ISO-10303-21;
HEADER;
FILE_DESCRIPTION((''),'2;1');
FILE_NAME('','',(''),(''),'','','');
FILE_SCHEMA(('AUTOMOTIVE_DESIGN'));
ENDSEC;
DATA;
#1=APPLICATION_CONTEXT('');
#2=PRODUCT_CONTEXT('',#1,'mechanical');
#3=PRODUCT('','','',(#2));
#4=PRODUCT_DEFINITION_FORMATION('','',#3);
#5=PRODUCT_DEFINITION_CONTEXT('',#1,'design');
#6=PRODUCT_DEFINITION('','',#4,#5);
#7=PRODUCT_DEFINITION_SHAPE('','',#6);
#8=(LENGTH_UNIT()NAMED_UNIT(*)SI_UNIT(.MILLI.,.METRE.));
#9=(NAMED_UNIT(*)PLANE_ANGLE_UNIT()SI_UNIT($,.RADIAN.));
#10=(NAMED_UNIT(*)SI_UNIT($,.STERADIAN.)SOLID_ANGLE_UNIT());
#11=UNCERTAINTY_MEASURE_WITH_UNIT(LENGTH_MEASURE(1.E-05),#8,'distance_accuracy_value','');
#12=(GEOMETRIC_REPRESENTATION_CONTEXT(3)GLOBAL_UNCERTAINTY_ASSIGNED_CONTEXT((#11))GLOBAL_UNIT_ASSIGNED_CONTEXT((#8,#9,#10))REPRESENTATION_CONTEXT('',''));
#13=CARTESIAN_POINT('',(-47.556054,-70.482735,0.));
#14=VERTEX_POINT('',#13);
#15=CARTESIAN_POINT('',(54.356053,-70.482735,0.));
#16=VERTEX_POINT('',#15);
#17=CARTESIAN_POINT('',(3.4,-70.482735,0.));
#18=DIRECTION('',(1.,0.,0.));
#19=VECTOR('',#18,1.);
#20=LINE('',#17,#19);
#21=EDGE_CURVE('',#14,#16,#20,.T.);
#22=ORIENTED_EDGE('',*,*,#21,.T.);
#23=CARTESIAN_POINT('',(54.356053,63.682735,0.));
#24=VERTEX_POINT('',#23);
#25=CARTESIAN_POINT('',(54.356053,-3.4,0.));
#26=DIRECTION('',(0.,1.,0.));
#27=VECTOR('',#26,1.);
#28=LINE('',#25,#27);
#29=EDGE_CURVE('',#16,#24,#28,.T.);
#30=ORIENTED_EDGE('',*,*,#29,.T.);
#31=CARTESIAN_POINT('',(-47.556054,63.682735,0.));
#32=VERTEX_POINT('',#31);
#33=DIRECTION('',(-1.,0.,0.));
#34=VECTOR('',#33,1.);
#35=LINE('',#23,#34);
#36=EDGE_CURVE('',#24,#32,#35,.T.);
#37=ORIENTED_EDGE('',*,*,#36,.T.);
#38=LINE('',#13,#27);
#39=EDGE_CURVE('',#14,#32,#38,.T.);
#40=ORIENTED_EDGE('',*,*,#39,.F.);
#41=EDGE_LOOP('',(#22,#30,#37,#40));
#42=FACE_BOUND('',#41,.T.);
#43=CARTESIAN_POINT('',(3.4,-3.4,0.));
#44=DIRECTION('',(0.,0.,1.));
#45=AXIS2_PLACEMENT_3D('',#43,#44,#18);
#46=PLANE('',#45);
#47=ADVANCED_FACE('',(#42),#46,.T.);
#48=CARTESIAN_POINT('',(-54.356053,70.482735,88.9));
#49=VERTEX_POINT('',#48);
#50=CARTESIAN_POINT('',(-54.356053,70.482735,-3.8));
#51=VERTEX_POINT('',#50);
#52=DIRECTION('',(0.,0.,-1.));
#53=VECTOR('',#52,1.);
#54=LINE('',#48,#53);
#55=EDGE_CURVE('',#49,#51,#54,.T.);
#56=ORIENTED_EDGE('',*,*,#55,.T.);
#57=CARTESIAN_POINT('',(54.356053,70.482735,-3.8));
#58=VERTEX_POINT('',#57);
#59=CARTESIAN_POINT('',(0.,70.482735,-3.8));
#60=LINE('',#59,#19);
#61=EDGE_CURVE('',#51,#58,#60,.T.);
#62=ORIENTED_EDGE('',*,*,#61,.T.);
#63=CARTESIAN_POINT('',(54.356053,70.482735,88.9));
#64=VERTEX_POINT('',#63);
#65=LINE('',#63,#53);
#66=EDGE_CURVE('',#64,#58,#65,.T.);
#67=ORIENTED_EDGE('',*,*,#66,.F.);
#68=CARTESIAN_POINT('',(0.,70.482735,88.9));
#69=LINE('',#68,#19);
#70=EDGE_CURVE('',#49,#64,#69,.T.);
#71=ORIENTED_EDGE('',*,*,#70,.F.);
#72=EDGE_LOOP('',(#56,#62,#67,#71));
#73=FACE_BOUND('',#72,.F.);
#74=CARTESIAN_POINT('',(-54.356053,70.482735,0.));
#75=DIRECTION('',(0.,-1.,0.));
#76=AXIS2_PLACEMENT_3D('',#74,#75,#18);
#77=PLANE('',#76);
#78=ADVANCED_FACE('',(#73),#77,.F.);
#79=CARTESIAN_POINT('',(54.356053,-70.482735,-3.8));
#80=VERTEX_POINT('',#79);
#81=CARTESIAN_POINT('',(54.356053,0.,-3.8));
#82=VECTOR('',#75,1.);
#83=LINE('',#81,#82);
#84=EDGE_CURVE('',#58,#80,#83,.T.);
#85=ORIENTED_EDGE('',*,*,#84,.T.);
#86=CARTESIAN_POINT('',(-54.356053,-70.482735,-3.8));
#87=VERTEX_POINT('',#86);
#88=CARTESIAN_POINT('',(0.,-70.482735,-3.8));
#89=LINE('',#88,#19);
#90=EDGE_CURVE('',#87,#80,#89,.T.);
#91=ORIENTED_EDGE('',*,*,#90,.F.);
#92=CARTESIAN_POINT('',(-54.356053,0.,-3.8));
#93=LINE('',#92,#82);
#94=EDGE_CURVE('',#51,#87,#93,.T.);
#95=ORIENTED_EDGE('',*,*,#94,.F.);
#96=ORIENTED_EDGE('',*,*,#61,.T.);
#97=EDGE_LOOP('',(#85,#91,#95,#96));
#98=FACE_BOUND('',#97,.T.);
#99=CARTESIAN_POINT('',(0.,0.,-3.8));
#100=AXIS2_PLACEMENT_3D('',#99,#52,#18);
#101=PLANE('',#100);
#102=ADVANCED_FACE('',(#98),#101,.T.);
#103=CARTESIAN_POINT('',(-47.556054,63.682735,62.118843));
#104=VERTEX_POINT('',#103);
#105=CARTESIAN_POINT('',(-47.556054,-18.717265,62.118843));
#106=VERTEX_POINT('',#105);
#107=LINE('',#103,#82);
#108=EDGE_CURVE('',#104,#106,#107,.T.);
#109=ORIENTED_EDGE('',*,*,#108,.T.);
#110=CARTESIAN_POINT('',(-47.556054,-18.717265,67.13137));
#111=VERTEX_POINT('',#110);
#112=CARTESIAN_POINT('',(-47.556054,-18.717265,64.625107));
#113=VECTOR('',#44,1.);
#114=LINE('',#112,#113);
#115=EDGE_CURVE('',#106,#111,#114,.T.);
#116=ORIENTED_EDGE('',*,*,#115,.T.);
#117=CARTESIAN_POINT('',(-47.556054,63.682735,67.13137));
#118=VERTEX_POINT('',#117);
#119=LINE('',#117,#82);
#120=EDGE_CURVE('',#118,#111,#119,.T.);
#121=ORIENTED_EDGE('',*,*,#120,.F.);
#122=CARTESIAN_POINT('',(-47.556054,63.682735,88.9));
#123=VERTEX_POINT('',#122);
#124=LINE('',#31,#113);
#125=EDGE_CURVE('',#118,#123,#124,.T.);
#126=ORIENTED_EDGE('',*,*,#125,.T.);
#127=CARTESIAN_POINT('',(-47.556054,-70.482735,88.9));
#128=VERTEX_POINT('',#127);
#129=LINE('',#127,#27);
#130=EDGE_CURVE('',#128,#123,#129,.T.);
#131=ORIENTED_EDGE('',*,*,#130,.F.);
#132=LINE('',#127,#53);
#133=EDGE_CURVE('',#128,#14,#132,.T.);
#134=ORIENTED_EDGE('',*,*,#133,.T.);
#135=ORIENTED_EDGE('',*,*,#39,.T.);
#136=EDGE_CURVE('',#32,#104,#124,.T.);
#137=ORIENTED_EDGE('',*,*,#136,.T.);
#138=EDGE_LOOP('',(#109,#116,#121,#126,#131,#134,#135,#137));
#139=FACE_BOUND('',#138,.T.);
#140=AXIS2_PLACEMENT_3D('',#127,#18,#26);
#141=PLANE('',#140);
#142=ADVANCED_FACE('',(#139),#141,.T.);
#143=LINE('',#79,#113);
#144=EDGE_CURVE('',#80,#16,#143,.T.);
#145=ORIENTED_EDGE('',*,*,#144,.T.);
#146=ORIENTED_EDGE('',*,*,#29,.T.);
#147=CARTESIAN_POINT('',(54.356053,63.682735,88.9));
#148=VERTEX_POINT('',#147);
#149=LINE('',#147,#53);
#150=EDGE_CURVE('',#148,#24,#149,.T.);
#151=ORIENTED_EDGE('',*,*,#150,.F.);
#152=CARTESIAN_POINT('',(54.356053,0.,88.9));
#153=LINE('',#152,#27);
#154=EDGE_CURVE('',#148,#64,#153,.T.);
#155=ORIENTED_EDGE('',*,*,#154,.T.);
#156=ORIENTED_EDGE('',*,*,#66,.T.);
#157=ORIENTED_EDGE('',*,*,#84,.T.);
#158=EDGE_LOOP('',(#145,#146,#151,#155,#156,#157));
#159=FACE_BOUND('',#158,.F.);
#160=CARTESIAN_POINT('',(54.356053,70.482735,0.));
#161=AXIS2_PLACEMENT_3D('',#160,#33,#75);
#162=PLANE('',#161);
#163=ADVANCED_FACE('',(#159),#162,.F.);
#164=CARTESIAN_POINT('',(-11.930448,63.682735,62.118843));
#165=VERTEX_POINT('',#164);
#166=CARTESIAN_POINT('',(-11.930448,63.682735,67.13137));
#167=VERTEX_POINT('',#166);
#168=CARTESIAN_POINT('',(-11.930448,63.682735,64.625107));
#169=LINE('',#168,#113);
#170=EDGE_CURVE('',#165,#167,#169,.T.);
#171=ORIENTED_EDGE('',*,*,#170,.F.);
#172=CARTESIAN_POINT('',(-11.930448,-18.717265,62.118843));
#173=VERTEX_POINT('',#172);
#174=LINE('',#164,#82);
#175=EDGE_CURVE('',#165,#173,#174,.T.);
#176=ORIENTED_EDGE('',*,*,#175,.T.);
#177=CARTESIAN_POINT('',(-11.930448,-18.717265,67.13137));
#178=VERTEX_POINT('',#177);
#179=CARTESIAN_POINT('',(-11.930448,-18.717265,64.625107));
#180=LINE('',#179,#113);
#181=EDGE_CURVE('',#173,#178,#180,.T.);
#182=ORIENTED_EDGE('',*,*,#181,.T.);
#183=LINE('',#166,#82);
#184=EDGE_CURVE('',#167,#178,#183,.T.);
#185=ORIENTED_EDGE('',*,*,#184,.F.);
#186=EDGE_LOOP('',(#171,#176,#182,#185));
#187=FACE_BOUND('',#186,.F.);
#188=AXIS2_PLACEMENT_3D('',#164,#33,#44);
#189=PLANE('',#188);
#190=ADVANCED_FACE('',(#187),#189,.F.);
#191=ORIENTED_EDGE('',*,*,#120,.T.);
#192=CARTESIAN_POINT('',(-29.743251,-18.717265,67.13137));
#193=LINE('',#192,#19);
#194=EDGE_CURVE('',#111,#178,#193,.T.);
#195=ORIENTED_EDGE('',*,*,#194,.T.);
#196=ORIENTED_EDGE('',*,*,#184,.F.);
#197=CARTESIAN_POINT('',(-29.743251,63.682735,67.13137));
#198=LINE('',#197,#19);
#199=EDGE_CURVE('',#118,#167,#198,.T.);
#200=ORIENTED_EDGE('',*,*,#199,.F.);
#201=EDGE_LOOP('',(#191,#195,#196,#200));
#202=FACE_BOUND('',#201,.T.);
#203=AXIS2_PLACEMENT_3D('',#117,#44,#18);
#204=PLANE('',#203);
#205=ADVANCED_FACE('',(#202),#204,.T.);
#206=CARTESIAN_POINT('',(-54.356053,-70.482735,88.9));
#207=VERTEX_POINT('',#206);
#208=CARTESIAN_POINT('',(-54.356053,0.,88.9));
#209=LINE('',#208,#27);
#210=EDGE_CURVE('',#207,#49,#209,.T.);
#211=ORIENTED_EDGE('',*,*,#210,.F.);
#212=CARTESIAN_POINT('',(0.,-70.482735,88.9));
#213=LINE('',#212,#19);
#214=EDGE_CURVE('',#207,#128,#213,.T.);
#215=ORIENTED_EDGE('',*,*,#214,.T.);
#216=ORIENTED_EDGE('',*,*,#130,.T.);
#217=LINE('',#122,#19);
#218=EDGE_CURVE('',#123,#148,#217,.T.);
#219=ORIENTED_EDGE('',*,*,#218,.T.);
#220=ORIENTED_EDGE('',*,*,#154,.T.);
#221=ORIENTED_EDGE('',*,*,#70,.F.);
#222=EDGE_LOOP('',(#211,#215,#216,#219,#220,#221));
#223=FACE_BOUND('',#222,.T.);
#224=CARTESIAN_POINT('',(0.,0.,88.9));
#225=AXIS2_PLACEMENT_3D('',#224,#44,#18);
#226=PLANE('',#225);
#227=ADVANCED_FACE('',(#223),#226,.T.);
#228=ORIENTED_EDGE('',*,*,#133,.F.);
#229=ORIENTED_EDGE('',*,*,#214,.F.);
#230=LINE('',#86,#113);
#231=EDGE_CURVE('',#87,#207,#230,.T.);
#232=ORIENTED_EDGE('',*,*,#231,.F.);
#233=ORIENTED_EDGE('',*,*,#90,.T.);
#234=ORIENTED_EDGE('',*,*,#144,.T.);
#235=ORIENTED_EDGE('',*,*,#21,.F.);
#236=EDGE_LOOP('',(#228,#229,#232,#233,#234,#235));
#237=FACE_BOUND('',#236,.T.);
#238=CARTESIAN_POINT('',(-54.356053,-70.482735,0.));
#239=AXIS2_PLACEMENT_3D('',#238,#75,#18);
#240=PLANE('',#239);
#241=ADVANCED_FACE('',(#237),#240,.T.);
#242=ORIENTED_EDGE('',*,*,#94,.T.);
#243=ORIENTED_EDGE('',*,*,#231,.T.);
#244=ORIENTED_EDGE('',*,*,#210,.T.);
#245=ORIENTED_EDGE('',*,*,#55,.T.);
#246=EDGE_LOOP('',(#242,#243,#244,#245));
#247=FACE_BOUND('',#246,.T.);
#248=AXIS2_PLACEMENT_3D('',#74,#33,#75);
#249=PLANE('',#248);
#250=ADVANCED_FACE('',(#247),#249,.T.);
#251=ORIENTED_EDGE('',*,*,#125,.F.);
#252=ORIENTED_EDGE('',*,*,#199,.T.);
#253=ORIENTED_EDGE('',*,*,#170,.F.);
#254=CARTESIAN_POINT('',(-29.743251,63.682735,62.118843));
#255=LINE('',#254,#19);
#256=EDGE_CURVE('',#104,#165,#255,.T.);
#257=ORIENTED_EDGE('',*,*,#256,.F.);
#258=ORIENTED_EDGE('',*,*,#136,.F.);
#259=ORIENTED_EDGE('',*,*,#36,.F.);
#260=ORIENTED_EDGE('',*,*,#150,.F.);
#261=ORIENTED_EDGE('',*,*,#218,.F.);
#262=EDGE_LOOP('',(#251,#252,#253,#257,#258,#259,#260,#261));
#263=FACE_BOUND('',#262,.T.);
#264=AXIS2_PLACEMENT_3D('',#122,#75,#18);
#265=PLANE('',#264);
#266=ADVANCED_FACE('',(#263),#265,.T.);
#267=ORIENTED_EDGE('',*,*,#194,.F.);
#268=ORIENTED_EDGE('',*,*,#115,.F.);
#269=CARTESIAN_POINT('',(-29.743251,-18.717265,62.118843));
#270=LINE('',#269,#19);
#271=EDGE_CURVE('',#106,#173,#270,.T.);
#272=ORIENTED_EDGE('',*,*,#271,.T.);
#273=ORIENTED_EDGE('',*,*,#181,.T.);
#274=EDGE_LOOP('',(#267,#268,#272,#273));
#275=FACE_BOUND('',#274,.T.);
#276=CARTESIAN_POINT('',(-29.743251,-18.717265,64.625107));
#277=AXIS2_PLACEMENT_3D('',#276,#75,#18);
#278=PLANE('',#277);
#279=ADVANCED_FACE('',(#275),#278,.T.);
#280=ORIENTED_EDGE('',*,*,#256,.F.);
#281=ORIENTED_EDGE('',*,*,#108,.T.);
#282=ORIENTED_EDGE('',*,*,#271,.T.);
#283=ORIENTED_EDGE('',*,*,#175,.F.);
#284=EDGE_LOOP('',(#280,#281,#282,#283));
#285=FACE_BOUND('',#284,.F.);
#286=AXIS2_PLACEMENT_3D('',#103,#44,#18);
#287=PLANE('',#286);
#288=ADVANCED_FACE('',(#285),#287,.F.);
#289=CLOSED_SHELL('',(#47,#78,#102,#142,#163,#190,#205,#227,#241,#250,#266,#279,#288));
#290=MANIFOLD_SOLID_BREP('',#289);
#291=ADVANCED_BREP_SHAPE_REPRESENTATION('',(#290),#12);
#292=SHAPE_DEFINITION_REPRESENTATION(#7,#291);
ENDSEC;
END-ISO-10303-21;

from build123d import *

# Parameters (mm, degrees)
F0_W     = 108.7121069431
F0_H     = 140.9654691815
F0_W_2   = 95.1121076941
F0_H_2   = 127.3654699326
F1_DEPTH = 88.9
F2_W     = 108.7121069431
F2_H     = 140.9654691815
F3_DEPTH = 3.8
F4_W     = 101.9121073186
F4_H     = 134.165469557
F5_DEPTH = 88.9
F6_W     = 35.625605844
F6_H     = 5.0125271082
F7_DEPTH = 82.4


with BuildPart() as f1:
    # F0 (on Top) → F1 (new body)
    with BuildSketch(Plane.XY):
        Rectangle(F0_W, F0_H)
        Rectangle(F0_W_2, F0_H_2, mode=Mode.SUBTRACT)
    extrude(amount=F1_DEPTH)

    # F2 (on face) → F3 (join)
    with BuildSketch(Plane(origin=(0, 0, 0), x_dir=(1, 0, 0), z_dir=(0, 0, -1))):
        Rectangle(F2_W, F2_H)
    extrude(amount=F3_DEPTH)

    # F4 (on face) → F5 (cut, through all)
    with BuildSketch(Plane.XY.offset(88.9)):
        with Locations((3.3999998122, -3.3999998122)):
            Rectangle(F4_W, F4_H)
    extrude(amount=-F5_DEPTH, mode=Mode.SUBTRACT)

    # F6 (on face) → F7 (join)
    with BuildSketch(Plane.XZ.offset(-63.6827349663)):
        with Locations((-29.7432509251, 64.6251067519)):
            Rectangle(F6_W, F6_H)
    extrude(amount=F7_DEPTH)


solid = f1.part
